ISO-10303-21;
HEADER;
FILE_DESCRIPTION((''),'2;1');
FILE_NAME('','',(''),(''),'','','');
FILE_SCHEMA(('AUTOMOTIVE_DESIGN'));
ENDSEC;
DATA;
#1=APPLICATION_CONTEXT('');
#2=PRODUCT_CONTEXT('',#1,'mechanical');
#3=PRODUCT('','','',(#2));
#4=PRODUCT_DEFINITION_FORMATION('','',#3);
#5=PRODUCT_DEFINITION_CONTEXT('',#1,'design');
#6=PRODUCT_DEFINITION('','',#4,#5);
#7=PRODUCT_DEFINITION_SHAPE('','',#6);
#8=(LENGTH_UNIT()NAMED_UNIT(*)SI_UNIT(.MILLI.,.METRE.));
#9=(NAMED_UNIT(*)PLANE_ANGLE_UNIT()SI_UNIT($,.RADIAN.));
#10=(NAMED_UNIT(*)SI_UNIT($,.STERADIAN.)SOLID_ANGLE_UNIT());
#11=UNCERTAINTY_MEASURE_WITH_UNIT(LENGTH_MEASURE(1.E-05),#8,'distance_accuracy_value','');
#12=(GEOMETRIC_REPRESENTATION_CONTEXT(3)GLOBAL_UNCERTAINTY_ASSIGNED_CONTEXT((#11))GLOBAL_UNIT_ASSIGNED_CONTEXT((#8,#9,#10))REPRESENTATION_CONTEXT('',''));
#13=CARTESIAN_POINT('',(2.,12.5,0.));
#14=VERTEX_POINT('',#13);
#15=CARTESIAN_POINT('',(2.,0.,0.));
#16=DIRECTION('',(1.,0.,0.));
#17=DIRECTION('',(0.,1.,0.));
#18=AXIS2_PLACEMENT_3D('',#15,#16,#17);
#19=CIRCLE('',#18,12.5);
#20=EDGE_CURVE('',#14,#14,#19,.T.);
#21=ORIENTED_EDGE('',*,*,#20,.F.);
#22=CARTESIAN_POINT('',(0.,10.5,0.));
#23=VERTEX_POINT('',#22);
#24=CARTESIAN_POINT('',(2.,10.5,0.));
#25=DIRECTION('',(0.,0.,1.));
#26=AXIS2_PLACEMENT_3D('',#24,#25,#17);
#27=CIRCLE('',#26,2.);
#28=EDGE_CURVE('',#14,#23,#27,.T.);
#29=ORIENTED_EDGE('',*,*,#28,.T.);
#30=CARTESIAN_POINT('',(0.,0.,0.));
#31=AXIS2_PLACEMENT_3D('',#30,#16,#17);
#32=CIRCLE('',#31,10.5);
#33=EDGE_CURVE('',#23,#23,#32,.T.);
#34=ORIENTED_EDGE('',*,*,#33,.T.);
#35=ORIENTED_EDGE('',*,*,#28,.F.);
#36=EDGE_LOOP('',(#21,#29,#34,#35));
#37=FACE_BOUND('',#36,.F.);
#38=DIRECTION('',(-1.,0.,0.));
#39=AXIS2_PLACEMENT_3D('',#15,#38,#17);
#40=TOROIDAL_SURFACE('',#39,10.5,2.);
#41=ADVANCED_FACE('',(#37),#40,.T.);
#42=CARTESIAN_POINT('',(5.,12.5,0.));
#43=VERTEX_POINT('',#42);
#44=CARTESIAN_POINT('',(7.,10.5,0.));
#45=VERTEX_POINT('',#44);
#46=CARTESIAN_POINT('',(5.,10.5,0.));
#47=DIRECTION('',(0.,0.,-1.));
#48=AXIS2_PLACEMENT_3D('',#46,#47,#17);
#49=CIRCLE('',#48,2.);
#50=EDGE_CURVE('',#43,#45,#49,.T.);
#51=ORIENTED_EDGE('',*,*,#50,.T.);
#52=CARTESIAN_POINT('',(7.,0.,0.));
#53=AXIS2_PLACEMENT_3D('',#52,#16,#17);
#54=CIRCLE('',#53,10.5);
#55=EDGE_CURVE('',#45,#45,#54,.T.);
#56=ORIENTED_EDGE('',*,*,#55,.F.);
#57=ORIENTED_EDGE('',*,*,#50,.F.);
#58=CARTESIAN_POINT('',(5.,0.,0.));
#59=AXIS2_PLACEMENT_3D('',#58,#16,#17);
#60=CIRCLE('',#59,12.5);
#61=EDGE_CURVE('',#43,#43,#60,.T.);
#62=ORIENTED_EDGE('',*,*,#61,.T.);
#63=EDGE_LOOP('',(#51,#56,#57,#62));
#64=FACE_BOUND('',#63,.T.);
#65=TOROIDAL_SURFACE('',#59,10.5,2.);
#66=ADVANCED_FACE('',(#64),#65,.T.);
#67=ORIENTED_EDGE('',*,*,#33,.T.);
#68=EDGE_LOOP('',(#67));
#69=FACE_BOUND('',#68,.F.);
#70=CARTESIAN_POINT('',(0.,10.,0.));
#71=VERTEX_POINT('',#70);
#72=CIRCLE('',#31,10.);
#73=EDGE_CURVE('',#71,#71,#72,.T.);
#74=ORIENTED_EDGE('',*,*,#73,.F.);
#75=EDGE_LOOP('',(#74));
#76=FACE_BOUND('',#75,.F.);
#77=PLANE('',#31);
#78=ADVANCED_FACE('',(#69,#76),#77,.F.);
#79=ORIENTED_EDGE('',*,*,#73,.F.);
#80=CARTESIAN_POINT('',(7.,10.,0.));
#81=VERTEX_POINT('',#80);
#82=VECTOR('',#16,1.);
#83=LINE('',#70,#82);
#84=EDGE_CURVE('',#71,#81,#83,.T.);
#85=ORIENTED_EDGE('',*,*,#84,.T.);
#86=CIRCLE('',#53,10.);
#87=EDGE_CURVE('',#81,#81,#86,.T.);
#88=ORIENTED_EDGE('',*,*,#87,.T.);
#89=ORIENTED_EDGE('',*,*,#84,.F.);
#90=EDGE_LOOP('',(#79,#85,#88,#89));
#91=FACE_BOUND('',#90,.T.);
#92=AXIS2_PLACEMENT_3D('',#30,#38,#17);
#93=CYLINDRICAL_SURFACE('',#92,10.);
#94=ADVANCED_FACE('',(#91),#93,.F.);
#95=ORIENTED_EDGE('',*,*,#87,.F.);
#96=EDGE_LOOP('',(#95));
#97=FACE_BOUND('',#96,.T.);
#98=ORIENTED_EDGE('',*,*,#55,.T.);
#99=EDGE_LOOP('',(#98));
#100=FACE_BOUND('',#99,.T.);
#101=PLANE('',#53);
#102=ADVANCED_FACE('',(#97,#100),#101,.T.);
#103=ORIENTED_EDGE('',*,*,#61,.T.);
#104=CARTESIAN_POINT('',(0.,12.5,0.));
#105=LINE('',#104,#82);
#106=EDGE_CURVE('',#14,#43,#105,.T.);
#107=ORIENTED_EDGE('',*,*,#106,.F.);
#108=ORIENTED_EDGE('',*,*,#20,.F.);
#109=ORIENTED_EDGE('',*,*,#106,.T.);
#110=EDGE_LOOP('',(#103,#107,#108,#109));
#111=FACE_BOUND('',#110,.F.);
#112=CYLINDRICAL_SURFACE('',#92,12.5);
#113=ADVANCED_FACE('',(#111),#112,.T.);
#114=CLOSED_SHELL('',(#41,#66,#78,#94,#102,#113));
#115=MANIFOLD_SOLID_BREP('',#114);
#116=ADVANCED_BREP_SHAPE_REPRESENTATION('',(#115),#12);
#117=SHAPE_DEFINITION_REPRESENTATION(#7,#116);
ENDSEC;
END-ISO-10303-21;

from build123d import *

# Parameters (mm, degrees)
F0_R     = 12.5
F0_R_2   = 10
F1_DEPTH = 7
F2_R     = 2


with BuildPart() as f1:
    # F0 (on Right) → F1 (new body)
    with BuildSketch(Plane.YZ):
        Circle(F0_R)
        Circle(F0_R_2, mode=Mode.SUBTRACT)
    extrude(amount=F1_DEPTH)

    # F2
    f2_edges = [f1.edges().sort_by_distance(p)[0] for p in [
        (3.5, 12.5, 0),
        (0, -12.5, 0),
        (7, -12.5, 0),
    ]]
    fillet(f2_edges, radius=F2_R)


solid = f1.part
